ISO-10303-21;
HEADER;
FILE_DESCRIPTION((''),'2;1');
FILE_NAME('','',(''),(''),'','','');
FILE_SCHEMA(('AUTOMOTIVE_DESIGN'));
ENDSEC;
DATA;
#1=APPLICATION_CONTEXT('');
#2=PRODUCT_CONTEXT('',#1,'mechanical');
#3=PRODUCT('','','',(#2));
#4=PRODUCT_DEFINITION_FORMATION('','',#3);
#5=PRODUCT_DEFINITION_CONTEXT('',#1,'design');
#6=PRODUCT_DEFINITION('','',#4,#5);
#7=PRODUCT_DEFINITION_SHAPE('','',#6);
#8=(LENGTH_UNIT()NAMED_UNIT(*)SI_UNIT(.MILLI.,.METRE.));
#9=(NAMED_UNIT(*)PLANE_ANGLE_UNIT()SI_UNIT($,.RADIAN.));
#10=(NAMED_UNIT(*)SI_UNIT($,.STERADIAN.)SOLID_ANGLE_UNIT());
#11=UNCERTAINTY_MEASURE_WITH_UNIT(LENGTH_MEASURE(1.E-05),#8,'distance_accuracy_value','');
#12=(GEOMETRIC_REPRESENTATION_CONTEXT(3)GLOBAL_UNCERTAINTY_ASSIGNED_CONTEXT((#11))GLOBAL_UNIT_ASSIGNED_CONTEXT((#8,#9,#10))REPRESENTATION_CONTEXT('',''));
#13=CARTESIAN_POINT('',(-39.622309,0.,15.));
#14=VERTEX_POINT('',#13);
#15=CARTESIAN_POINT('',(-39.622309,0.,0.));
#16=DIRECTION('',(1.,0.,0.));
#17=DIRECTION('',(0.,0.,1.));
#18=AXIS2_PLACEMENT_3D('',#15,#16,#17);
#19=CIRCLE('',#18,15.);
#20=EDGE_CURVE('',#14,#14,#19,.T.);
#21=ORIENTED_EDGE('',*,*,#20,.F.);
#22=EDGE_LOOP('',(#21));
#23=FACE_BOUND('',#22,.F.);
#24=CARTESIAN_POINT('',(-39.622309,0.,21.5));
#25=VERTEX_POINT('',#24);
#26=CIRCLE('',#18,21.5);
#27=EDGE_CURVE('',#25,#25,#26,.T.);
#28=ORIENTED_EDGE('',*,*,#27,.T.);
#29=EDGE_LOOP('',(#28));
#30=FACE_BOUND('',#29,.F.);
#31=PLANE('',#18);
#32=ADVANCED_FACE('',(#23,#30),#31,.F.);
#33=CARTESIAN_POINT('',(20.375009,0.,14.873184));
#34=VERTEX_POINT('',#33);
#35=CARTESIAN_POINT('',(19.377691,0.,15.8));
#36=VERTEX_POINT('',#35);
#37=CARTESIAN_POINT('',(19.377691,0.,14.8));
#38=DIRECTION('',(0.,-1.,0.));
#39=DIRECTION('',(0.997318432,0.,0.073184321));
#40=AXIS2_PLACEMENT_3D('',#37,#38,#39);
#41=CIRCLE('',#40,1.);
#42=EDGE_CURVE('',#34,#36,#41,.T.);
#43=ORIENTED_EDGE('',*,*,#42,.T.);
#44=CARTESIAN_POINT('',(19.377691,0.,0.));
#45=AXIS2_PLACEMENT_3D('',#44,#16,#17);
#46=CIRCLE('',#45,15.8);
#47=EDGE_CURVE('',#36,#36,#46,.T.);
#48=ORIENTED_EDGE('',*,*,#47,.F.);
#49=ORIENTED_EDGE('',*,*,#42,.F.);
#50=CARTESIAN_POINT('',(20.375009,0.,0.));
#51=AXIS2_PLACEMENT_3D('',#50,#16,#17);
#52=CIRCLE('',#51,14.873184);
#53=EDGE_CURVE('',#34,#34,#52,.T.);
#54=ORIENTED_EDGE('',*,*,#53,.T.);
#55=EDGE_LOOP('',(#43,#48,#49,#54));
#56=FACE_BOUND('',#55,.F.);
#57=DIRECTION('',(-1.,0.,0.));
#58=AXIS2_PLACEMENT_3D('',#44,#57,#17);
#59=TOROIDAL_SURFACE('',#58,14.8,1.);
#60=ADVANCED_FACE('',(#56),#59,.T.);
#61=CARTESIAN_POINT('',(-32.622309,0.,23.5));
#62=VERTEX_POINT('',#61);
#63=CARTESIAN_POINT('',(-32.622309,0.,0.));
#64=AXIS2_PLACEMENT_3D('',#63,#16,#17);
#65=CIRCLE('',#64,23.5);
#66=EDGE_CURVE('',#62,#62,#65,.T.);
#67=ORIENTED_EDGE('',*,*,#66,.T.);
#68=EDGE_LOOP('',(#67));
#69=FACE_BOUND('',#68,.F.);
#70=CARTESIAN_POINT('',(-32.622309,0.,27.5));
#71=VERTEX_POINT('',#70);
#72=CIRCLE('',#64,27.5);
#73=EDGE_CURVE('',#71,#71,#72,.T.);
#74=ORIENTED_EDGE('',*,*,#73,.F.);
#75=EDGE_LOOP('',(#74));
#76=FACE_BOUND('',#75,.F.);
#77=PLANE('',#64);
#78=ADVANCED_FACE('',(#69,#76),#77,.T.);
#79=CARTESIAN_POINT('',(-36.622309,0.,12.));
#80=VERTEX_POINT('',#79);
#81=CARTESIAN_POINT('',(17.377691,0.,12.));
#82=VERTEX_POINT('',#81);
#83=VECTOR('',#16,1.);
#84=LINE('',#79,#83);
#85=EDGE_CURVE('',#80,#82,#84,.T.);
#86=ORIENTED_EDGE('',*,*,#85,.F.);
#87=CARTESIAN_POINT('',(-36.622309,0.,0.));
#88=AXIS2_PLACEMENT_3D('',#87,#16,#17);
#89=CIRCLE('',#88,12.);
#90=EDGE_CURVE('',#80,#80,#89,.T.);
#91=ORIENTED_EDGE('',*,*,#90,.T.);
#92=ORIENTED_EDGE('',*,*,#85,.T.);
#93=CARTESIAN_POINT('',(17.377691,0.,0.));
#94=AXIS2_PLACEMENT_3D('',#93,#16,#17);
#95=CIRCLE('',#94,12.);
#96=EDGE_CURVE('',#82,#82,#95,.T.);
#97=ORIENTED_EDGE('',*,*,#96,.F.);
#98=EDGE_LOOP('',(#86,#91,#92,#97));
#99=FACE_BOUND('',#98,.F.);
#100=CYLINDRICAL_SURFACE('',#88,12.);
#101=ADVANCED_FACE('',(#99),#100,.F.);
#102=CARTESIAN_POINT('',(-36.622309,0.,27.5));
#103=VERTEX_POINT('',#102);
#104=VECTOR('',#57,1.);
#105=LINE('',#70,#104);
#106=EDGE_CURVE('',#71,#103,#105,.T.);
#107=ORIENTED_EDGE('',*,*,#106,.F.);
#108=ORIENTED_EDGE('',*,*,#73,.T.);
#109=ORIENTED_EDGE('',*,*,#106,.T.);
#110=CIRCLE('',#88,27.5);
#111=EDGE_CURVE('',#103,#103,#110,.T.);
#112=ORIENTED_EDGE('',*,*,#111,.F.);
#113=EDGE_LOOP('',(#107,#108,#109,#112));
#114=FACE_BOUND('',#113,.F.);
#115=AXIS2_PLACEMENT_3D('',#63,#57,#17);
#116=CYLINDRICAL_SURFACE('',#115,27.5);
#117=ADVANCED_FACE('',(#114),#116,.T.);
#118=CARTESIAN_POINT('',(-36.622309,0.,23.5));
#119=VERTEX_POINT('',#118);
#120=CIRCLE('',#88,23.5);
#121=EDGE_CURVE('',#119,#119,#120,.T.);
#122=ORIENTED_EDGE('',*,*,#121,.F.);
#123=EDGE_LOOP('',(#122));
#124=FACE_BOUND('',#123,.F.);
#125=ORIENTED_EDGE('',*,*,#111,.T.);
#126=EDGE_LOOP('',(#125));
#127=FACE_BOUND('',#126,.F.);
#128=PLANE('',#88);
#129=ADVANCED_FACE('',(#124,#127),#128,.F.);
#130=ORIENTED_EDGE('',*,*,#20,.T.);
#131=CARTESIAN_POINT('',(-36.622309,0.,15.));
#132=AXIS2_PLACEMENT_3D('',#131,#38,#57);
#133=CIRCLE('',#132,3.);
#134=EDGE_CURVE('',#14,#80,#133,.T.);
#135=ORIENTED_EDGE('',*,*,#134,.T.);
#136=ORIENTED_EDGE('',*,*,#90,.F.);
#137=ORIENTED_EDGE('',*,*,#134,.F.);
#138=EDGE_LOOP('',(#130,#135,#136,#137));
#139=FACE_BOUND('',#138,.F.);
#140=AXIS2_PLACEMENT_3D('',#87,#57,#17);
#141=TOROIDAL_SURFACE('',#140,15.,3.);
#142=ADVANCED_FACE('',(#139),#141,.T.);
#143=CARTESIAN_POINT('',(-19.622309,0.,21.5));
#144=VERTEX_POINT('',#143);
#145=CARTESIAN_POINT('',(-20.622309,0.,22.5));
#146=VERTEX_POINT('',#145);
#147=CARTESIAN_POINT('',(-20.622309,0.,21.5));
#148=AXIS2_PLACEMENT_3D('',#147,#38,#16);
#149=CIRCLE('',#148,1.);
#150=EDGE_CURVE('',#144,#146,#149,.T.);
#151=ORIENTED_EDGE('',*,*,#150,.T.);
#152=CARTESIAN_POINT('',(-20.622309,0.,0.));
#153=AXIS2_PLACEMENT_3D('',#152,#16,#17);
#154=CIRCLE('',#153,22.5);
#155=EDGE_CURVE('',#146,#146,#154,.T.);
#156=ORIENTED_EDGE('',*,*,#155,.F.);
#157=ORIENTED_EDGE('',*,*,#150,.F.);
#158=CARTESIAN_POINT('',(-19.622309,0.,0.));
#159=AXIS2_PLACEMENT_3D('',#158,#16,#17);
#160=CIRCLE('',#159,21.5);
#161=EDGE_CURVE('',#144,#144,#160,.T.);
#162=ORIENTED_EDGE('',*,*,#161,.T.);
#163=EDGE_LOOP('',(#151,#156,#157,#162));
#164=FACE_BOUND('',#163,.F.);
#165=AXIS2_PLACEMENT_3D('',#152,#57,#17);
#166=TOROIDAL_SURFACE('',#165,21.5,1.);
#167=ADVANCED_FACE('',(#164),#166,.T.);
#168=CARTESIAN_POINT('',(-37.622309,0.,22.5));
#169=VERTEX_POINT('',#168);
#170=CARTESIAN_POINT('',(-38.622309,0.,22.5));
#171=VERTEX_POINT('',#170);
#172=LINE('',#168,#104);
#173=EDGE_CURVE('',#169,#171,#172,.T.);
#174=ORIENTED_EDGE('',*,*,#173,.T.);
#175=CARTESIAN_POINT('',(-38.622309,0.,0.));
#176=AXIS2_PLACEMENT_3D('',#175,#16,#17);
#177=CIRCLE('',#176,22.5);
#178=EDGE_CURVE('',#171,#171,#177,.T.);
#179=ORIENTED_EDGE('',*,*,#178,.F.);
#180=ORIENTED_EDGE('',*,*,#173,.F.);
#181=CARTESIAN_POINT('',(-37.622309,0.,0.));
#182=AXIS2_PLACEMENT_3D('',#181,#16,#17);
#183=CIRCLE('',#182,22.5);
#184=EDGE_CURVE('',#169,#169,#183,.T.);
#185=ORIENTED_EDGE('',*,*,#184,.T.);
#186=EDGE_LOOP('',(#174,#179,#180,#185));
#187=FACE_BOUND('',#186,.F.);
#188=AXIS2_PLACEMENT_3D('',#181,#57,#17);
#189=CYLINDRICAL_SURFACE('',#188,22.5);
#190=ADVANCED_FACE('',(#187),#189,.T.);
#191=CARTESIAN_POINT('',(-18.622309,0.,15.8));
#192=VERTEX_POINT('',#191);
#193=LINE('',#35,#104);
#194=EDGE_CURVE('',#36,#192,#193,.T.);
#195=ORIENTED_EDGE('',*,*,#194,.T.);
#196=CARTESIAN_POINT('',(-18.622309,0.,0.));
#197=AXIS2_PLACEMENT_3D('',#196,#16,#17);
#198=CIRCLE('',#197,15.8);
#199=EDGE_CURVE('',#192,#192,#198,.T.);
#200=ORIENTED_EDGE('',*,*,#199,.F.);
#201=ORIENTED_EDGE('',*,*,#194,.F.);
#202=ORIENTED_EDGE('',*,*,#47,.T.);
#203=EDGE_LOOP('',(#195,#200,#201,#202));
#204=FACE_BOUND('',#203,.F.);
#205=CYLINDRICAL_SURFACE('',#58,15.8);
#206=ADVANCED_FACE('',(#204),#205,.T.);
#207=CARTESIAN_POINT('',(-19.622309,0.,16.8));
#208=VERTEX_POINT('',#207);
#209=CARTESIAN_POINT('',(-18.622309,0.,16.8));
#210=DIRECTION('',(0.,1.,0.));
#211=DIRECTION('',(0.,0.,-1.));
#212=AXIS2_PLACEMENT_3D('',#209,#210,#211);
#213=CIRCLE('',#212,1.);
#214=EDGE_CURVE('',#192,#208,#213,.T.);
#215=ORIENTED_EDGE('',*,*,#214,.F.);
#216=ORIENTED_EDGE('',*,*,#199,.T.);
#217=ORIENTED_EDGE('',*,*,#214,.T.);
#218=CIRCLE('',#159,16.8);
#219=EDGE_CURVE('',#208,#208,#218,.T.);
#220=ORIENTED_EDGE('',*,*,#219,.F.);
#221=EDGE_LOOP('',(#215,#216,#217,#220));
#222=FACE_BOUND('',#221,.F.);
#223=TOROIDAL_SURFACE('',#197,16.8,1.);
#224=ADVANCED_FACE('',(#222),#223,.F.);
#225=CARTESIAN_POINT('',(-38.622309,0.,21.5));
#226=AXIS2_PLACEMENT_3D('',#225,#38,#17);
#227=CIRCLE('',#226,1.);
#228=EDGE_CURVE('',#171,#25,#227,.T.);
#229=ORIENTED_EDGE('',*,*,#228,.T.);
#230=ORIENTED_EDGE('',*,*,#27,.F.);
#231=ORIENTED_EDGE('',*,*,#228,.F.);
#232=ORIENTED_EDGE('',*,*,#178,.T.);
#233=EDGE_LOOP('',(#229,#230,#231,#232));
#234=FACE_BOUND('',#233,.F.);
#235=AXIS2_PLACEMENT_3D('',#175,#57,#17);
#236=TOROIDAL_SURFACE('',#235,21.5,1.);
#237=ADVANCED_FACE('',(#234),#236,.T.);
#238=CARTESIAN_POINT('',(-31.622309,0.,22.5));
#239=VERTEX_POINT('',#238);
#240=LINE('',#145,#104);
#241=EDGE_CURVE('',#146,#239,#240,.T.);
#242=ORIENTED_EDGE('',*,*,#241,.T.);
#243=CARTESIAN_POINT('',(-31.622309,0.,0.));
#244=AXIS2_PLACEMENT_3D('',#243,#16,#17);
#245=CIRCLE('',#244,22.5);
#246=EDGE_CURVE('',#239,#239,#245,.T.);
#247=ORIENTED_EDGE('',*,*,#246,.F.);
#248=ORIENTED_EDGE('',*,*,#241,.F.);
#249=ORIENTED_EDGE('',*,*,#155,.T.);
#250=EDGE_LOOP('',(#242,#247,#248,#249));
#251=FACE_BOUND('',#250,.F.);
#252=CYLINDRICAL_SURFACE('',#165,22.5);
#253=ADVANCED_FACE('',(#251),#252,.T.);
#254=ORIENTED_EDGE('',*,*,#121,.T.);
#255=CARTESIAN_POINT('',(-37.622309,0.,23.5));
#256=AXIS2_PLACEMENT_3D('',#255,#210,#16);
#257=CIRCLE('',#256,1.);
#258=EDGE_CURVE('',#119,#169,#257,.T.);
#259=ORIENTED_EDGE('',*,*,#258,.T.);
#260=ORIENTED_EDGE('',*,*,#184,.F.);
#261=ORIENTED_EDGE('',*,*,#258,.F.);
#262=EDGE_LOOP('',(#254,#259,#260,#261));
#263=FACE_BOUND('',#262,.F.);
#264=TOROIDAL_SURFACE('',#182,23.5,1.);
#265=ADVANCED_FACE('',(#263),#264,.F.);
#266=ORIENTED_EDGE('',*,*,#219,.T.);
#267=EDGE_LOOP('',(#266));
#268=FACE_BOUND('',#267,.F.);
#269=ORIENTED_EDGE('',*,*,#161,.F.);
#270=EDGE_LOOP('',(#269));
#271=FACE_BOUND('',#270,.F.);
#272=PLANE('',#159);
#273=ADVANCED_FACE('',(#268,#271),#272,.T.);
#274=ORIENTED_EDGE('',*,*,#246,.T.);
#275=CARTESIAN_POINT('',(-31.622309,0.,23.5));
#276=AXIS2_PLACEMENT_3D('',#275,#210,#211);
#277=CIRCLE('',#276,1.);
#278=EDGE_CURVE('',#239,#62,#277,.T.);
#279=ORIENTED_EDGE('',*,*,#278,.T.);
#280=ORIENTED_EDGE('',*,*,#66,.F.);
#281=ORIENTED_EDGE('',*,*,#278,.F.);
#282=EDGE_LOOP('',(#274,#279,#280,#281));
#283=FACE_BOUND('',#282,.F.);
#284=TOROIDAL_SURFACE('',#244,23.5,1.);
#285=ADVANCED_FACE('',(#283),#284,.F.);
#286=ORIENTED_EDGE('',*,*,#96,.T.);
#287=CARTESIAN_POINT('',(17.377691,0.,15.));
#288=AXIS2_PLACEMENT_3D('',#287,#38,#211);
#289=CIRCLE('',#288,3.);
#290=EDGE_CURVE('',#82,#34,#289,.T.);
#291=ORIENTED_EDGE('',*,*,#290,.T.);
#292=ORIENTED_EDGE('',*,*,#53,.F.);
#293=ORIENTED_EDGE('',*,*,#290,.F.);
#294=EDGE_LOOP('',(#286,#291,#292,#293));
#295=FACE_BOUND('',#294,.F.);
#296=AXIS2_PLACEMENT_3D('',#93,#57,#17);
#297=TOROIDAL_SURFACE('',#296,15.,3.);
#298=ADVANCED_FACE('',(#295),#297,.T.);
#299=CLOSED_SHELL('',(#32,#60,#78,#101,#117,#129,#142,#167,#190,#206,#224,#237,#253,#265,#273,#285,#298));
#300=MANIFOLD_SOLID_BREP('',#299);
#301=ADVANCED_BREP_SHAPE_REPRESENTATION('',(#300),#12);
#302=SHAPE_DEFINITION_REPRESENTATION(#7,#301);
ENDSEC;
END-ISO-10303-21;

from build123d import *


with BuildPart() as f1:
    # F0 (on Front) → F1 (revolve)
    with BuildSketch(Plane.XZ):
        with BuildLine():
            ThreePointArc((20.3776905551, 15), (20.3770200882, 14.9365779866), (20.3750089872, 14.8731843214))
            ThreePointArc((20.3750089872, 14.8731843214), (20.3770199383, 14.8366167165), (20.3776905551, 14.8))
            Line((20.3776905551, 14.8), (20.3776905551, 15))
        make_face()
    revolve(axis=Axis((-2.0623714099, 0, 0), (1, 0, 0)))


with BuildPart() as f1b:
    # F0 (on Front) → F1, piece 2 (revolve)
    with BuildSketch(Plane.XZ):
        with BuildLine():
            Line((-39.6223094449, 21.5), (-39.6223094449, 15))
            ThreePointArc((-39.6223094449, 15), (-38.7436297885, 12.8786796564), (-36.6223094449, 12))
            Line((-36.6223094449, 12), (17.3776905551, 12))
            ThreePointArc((17.3776905551, 12), (19.4536906712, 12.8343076124), (20.3750089872, 14.8731843214))
            ThreePointArc((20.3750089872, 14.8731843214), (20.05843121, 15.532524512), (19.3776905551, 15.8))
            Line((19.3776905551, 15.8), (-18.6223094449, 15.8))
            ThreePointArc((-18.6223094449, 15.8), (-19.3294162261, 16.0928932188), (-19.6223094449, 16.8))
            Line((-19.6223094449, 16.8), (-19.6223094449, 21.5))
            ThreePointArc((-19.6223094449, 21.5), (-19.9152026637, 22.2071067812), (-20.6223094449, 22.5))
            Line((-20.6223094449, 22.5), (-31.6223094449, 22.5))
            ThreePointArc((-31.6223094449, 22.5), (-32.3294162261, 22.7928932188), (-32.6223094449, 23.5))
            Line((-32.6223094449, 23.5), (-32.6223094449, 27.5))
            Line((-32.6223094449, 27.5), (-36.6223094449, 27.5))
            Line((-36.6223094449, 27.5), (-36.6223094449, 23.5))
            ThreePointArc((-36.6223094449, 23.5), (-36.9152026637, 22.7928932188), (-37.6223094449, 22.5))
            Line((-37.6223094449, 22.5), (-38.6223094449, 22.5))
            ThreePointArc((-38.6223094449, 22.5), (-39.3294162261, 22.2071067812), (-39.6223094449, 21.5))
        make_face()
    revolve(axis=Axis((-2.0623714099, 0, 0), (1, 0, 0)))


solid = f1b.part
